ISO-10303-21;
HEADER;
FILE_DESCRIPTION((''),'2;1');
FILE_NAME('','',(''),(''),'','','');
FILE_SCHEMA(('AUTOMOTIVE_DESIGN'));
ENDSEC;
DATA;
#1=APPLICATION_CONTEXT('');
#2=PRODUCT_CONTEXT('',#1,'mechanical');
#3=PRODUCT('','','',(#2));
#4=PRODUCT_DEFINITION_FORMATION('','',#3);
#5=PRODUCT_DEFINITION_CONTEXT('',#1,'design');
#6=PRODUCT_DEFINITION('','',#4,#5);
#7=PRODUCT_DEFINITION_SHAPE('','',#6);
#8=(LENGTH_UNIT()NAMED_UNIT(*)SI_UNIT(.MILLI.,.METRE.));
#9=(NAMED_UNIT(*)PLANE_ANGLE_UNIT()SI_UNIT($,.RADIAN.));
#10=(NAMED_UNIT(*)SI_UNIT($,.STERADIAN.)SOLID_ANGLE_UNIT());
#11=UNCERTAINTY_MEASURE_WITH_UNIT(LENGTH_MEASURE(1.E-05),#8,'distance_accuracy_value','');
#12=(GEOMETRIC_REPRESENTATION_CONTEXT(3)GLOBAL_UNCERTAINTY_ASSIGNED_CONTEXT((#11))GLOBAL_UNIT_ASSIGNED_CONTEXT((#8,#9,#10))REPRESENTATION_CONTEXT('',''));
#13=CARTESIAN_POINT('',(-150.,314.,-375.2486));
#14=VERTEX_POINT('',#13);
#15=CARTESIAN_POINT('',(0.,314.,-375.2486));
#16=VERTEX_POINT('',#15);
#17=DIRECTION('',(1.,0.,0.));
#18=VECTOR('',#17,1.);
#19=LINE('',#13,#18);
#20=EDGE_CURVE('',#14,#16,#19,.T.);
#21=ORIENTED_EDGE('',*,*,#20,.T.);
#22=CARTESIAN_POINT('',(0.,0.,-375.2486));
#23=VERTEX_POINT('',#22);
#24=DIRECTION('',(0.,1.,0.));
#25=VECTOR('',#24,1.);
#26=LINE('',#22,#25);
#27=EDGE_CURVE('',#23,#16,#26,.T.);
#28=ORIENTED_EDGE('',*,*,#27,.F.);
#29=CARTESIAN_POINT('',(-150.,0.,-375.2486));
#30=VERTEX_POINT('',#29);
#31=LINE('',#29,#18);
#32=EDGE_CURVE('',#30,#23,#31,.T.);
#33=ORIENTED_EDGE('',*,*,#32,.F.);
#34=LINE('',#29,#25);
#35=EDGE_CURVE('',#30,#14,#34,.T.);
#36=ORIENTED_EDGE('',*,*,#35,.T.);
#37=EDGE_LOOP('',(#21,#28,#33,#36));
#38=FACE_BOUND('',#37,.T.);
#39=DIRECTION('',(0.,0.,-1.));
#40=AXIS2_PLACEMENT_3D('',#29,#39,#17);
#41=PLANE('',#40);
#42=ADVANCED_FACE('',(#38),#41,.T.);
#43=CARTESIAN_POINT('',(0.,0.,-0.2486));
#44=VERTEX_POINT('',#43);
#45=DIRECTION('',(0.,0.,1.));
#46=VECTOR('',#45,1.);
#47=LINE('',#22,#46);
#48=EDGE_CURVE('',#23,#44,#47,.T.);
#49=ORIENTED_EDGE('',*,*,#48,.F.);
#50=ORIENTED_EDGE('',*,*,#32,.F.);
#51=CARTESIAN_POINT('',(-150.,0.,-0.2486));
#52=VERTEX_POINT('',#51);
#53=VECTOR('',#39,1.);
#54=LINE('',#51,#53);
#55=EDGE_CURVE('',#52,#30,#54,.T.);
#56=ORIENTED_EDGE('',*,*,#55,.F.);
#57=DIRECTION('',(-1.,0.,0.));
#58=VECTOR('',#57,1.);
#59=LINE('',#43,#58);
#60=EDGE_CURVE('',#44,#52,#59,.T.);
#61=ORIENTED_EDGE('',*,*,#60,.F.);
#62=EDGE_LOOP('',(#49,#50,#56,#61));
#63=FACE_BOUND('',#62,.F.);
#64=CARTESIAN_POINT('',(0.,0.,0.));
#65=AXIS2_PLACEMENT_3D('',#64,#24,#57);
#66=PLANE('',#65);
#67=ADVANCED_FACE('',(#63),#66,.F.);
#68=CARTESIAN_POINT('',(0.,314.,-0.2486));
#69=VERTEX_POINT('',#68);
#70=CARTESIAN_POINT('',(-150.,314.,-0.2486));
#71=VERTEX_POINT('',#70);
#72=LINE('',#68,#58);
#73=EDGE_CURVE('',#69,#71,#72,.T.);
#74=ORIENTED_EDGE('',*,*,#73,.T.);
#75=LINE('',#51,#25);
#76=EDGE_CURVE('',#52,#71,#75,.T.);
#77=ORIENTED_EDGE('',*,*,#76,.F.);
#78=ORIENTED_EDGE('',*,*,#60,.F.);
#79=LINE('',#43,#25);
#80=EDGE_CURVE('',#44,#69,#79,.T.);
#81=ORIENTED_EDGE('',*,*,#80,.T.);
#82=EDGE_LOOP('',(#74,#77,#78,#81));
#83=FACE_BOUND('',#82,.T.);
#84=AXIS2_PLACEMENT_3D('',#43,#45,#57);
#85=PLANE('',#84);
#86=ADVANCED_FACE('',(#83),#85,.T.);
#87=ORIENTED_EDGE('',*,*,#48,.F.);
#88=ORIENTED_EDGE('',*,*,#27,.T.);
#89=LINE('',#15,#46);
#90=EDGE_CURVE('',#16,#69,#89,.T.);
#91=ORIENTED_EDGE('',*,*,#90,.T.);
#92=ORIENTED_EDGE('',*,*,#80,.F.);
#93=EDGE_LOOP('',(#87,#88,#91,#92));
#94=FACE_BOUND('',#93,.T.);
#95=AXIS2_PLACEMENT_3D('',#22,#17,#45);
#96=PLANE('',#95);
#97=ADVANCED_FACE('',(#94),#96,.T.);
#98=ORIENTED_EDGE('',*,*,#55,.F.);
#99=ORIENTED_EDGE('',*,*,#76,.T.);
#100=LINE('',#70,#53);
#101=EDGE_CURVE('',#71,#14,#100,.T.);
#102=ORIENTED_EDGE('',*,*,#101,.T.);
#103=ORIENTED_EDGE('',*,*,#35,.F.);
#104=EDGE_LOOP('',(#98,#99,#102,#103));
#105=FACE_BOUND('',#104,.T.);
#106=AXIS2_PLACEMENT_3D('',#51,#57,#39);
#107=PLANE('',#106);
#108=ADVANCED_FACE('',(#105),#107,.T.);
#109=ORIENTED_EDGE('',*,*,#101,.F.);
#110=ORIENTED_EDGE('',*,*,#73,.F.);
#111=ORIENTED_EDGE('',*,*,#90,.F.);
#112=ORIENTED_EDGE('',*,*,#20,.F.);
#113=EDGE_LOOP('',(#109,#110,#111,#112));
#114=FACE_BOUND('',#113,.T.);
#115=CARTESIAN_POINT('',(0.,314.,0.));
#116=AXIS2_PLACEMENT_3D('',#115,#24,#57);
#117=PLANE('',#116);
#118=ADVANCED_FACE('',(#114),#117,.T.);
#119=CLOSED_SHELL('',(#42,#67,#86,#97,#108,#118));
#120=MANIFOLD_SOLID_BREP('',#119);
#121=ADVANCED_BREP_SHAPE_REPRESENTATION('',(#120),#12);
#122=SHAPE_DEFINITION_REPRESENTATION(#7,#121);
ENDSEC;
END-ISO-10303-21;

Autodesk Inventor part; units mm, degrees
ref_plane "YZ Plane" through (0, 0, 0) normal (1, 0, 0) x (0, 1, 0)
ref_plane "XZ Plane" through (0, 0, 0) normal (0, 1, 0) x (-1, 0, 0)
ref_plane "XY Plane" through (0, 0, 0) normal (0, 0, 1) x (1, 0, 0)
sketch "Sketch1" plane through (0, 0, 0) normal (0, 1, 0) x (-1, 0, 0)
  line L0 (0, -0.2486) -> (150, -0.2486)
  line L1 (150, -0.2486) -> (150, -375.2486)
  line L2 (150, -375.2486) -> (0, -375.2486)
  line L3 (0, -375.2486) -> (0, -0.2486)
  point P0 (0, 0)
  dimension "d0" = 150
  dimension "d1" = 375
extrude "Extrusion1" add sketch "Sketch1" along normal blind 314
properties part number "Vacuum Pump"
